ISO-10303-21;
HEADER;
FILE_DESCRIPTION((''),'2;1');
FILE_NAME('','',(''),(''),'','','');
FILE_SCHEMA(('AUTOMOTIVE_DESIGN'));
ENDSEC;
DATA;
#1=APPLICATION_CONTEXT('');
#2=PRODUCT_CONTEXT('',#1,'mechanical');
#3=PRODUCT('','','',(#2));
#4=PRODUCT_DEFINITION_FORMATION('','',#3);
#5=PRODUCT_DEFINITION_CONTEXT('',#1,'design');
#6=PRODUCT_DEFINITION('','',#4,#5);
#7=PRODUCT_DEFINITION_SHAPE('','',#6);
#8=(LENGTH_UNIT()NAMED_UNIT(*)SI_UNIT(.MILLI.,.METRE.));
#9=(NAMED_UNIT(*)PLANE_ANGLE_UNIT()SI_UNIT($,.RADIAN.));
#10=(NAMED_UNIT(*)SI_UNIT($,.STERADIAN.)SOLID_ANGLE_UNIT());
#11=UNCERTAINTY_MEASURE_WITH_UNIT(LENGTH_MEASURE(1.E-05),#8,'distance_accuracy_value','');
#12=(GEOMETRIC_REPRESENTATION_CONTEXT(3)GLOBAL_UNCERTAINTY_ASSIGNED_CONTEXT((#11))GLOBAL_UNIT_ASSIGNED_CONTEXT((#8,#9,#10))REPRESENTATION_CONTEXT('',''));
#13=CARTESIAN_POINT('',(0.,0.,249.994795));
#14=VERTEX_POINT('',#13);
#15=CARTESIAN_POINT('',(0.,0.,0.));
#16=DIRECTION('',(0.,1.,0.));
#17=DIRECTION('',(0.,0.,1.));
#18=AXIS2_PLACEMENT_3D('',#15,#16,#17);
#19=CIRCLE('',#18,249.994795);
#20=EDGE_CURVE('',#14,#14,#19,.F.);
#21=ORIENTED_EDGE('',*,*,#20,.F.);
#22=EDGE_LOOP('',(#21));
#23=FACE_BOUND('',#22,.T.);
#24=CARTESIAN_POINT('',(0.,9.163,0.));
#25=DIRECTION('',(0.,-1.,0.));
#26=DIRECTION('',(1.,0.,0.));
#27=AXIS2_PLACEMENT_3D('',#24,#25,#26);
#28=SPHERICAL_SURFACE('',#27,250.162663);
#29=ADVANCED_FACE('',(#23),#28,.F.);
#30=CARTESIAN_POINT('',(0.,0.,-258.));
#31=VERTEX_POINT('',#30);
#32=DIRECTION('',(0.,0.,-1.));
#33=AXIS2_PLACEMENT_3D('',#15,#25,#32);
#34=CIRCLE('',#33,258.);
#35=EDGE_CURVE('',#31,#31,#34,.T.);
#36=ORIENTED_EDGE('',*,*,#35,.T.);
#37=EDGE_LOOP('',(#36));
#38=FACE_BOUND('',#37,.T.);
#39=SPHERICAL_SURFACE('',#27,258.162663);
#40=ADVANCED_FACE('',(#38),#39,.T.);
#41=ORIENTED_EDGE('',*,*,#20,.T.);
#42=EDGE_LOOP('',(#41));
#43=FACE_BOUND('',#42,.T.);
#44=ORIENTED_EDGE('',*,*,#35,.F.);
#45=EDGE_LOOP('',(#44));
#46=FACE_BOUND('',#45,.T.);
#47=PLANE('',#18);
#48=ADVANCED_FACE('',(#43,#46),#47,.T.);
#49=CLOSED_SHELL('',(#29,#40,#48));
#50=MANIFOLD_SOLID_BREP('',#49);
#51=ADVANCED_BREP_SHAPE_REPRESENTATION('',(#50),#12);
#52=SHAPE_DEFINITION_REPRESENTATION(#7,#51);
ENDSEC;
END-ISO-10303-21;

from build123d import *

# Parameters (mm, degrees)
SHELL1_T = -8


with BuildPart() as part:
    # Sketch1 → BowlRevolve (revolve)
    with BuildSketch(Plane.XY):
        with BuildLine():
            Line((0, 0), (258, 0))
            ThreePointArc((258, 0), (179.279692224, -176.596932507), (0, -248.999663003))
            Line((0, -248.999663003), (0, 0))
        make_face()
    revolve(axis=Axis((0, -248.999663003, 0), (0, 1, 0)))

    # Shell1
    shell1_openings = [part.faces().sort_by_distance(p)[0] for p in [
        (0, 0, 0),
    ]]
    offset(amount=SHELL1_T, openings=shell1_openings, kind=Kind.INTERSECTION)


solid = part.part
